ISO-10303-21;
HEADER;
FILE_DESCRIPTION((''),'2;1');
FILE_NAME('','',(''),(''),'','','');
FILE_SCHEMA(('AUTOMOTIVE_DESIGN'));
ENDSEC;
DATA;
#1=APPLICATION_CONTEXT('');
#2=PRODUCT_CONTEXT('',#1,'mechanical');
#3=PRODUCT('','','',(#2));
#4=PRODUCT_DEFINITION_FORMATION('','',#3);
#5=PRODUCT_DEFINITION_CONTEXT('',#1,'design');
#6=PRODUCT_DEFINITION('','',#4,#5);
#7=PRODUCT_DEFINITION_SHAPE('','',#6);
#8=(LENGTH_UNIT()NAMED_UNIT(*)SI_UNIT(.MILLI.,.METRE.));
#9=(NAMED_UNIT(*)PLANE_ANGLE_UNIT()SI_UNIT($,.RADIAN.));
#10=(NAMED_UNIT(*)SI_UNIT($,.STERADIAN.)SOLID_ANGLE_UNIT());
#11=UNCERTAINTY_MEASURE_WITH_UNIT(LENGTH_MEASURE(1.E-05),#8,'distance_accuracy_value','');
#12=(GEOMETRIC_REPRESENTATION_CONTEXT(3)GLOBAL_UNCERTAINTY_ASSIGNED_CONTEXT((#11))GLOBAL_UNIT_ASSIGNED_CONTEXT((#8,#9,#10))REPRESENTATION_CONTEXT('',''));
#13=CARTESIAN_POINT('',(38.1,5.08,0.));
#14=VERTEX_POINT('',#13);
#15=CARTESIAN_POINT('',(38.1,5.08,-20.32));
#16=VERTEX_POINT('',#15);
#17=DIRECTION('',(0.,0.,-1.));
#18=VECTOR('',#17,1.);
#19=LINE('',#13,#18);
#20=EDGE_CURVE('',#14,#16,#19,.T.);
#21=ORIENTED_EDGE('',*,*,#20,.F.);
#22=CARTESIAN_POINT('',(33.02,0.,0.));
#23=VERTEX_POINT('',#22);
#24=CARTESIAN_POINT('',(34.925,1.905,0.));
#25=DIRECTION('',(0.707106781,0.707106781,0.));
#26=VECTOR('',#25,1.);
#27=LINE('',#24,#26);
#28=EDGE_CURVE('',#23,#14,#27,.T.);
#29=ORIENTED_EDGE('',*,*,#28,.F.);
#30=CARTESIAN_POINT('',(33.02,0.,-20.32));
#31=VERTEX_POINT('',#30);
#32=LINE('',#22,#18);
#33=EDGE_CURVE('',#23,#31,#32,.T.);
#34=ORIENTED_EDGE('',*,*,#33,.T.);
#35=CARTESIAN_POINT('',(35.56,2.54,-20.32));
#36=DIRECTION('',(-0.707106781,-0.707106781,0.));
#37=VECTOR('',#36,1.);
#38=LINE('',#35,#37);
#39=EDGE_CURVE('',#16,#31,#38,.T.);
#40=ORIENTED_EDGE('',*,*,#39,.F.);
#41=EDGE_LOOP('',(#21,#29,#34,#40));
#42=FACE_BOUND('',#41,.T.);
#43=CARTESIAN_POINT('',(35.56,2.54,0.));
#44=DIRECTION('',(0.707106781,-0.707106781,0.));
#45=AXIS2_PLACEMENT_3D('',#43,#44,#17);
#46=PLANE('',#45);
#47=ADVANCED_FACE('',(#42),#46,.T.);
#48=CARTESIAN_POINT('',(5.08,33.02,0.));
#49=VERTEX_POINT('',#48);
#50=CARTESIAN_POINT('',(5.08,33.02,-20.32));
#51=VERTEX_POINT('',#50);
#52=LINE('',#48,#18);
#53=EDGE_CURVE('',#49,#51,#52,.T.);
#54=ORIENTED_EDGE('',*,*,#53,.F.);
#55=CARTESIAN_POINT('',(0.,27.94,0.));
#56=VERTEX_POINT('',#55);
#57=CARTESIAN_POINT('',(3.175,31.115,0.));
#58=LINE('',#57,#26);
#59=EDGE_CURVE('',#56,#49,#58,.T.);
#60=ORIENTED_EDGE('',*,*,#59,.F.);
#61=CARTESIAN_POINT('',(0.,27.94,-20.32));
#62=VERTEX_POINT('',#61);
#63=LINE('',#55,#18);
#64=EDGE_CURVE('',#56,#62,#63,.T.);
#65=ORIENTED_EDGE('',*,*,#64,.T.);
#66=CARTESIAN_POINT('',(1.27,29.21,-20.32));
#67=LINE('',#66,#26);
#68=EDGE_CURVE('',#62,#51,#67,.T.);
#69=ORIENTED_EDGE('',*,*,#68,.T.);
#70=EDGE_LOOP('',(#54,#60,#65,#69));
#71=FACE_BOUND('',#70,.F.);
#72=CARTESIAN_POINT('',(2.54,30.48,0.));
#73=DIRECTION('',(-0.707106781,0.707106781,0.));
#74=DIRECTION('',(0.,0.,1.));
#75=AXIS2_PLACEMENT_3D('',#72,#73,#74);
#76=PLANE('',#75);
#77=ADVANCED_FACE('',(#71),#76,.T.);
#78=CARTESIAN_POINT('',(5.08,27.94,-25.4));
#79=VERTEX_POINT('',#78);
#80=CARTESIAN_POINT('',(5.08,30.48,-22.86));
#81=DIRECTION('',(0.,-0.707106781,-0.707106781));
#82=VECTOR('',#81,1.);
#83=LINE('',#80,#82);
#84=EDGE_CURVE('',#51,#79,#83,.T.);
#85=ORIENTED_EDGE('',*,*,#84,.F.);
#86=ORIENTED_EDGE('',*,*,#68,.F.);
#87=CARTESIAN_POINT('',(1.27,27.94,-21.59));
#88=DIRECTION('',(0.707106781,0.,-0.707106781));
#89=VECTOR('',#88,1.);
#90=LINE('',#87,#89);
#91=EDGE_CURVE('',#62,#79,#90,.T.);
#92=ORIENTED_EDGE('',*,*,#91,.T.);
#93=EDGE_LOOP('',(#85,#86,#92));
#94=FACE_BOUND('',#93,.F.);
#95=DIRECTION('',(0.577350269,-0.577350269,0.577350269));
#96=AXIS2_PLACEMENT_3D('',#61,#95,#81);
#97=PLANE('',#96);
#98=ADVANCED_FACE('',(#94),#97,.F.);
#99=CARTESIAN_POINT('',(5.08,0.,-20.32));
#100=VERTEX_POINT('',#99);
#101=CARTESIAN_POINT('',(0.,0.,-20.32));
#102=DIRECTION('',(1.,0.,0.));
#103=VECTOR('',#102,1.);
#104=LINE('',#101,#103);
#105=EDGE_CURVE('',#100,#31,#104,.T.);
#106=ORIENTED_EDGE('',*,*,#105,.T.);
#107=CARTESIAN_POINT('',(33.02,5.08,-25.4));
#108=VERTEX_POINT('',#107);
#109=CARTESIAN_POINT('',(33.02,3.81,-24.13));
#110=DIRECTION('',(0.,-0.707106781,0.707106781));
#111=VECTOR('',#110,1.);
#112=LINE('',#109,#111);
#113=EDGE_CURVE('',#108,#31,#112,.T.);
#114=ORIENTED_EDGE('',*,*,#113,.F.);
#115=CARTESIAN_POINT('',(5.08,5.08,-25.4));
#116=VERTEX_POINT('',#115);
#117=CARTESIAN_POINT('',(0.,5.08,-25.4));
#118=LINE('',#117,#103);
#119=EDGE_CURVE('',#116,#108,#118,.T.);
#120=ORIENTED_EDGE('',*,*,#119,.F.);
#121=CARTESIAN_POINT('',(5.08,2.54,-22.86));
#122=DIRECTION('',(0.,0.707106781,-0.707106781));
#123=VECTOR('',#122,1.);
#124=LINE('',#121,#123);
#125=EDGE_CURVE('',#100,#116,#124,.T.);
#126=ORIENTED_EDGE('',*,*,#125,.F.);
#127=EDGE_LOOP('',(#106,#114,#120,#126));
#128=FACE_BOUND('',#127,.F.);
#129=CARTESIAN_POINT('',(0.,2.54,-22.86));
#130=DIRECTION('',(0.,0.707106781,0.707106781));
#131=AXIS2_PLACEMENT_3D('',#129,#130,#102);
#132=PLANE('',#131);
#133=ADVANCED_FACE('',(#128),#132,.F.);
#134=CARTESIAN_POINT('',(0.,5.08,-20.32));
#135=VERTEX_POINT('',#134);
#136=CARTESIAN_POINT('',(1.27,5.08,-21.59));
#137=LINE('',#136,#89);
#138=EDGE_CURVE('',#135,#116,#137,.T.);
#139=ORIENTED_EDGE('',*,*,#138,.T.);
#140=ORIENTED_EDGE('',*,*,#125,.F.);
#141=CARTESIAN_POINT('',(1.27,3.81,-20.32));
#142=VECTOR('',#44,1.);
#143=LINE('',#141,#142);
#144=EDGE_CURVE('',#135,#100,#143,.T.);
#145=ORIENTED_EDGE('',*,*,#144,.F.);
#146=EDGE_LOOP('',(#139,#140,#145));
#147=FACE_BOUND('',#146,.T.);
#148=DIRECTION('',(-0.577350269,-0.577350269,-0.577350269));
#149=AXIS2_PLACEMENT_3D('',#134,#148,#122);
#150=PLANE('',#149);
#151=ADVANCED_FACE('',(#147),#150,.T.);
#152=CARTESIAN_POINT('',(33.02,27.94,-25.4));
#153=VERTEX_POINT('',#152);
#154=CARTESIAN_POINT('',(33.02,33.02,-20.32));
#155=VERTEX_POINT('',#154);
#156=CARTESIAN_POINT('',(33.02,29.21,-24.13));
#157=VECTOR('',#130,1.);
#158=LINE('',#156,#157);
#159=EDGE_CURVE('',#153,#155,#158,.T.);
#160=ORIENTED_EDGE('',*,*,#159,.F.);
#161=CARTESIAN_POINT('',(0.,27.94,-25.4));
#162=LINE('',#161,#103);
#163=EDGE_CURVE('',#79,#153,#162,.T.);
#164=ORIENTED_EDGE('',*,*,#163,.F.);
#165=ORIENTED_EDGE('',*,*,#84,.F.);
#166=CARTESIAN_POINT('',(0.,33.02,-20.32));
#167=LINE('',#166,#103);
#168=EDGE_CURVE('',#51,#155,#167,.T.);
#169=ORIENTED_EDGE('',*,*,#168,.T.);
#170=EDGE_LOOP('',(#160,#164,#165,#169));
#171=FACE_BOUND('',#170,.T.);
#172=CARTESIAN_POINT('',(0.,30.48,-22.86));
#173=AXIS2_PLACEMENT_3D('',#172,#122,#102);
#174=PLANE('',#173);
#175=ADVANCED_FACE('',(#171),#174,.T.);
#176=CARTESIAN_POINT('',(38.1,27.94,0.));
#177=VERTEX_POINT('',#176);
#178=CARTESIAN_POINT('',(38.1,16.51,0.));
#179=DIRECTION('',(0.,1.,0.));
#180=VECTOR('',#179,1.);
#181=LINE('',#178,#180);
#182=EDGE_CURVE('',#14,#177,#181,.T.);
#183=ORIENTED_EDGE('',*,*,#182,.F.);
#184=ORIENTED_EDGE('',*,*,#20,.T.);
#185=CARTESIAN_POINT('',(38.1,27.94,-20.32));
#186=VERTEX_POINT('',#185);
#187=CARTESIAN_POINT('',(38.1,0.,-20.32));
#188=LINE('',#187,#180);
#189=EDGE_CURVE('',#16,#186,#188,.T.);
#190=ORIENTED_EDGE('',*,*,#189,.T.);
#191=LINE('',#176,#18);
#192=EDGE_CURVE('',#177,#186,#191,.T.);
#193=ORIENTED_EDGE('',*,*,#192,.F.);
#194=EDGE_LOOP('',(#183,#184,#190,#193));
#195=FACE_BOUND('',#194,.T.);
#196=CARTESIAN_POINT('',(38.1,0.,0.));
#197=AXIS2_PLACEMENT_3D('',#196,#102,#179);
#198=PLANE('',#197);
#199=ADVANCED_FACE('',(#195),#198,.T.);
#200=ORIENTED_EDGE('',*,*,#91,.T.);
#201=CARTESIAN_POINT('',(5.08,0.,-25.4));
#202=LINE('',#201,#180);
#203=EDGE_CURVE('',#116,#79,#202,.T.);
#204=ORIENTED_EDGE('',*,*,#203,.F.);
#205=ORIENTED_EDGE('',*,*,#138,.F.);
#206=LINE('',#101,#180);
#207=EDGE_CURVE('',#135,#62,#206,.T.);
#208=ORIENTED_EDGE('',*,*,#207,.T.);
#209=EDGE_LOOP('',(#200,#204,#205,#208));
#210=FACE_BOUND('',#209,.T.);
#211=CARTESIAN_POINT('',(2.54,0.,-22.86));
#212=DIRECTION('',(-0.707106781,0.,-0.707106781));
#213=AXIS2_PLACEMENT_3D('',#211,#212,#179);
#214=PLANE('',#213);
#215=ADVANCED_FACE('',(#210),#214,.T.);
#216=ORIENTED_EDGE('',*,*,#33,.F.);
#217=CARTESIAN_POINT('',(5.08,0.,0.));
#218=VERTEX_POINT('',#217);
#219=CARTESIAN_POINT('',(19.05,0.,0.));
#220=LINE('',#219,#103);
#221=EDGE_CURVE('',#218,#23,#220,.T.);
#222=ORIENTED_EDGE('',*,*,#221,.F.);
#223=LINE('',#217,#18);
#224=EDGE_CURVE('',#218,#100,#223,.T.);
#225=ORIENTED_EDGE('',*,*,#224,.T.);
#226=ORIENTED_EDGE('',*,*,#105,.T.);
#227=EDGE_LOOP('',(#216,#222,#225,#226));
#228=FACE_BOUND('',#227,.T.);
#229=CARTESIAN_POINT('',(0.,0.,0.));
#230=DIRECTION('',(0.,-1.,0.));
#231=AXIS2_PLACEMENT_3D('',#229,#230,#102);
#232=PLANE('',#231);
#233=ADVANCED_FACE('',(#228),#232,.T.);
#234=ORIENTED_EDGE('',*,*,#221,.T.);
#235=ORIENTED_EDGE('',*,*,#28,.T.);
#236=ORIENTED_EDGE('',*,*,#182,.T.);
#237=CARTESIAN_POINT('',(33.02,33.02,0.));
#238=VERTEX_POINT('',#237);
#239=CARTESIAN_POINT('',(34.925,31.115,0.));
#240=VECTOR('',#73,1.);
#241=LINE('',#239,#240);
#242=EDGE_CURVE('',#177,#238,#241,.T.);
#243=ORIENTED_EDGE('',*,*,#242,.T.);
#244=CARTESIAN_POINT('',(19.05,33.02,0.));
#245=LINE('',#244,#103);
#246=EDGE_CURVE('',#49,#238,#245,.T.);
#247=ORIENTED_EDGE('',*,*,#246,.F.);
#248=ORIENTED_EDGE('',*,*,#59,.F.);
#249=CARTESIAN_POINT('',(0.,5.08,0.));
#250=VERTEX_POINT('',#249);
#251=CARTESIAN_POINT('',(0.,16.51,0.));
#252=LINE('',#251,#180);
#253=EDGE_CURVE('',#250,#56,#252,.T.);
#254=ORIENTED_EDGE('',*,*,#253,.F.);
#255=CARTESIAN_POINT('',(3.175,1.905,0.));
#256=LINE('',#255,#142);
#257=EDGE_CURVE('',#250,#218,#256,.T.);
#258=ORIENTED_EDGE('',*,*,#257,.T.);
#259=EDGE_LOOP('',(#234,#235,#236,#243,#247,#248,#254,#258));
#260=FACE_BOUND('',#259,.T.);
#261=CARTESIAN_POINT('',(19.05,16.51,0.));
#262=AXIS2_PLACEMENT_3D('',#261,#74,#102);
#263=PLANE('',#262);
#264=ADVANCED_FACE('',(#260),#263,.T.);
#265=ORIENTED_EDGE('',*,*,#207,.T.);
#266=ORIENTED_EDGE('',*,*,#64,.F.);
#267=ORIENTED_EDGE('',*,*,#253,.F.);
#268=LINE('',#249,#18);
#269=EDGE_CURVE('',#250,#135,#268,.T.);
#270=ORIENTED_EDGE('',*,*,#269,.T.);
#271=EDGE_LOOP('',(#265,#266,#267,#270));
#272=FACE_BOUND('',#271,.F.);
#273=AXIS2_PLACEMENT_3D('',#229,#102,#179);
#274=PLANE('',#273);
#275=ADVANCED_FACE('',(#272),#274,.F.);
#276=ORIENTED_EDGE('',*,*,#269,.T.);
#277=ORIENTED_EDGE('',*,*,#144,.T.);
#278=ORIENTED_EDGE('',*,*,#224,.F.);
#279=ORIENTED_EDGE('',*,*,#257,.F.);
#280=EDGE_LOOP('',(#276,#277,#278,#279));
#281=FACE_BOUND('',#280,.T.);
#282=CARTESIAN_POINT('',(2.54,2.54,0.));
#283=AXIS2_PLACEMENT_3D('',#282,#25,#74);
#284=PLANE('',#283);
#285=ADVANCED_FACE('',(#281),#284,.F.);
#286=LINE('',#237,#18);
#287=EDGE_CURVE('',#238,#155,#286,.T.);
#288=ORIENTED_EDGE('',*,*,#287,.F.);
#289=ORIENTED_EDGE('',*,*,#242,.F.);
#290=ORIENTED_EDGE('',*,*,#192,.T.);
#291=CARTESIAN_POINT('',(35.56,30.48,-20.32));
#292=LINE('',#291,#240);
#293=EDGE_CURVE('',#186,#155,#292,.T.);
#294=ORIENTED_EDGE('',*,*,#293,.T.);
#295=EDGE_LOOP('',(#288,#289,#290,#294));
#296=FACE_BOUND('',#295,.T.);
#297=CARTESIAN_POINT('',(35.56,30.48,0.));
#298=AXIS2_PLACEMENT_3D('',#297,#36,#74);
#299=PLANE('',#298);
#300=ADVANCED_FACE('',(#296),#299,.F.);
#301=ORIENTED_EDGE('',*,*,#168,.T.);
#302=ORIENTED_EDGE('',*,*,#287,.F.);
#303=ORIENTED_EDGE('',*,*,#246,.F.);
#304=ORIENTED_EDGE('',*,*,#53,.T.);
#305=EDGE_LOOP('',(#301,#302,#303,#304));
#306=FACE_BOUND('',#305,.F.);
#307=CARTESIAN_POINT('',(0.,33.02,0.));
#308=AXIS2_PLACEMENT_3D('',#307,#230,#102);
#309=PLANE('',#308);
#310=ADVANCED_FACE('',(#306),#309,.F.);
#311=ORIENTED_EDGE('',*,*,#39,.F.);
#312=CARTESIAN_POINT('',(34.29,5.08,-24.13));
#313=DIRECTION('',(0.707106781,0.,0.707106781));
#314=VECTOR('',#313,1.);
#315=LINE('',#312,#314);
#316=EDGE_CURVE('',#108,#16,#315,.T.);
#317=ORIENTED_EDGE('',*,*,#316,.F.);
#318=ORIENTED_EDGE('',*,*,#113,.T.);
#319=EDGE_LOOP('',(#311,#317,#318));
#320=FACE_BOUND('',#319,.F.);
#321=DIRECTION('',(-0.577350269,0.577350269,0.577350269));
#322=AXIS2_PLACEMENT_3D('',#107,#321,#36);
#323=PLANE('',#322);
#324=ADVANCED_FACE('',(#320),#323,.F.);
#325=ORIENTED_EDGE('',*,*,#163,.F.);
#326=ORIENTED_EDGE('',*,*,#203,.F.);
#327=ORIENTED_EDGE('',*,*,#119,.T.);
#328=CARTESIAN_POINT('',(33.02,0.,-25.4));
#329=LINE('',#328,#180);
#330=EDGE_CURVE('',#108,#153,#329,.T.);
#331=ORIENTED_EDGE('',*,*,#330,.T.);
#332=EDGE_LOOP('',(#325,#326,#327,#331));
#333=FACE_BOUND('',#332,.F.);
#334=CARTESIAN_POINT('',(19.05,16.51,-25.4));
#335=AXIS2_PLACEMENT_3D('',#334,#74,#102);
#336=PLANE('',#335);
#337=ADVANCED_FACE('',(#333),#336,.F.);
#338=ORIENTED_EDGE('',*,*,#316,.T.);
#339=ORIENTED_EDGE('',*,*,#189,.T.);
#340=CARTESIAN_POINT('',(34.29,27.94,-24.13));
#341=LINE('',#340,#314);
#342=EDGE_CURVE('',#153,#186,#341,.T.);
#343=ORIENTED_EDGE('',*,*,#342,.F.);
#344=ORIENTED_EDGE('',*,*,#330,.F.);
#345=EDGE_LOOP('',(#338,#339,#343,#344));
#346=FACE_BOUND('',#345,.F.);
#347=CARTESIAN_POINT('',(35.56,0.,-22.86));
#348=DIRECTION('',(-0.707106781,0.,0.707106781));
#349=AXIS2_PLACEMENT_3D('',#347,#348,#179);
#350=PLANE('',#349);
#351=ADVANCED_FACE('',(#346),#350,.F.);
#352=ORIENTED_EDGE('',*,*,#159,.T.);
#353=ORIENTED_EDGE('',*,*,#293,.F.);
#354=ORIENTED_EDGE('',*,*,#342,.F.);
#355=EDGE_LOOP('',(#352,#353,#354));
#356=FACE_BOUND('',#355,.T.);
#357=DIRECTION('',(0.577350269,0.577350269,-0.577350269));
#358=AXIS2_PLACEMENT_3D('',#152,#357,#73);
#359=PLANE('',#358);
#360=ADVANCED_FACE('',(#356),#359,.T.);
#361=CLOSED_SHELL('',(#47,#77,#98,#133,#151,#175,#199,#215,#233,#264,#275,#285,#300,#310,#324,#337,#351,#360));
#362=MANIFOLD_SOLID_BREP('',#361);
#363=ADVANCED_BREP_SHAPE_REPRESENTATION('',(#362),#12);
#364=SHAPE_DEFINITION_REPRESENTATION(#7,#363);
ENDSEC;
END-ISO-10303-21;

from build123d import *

# Parameters (mm, degrees)
F0_W     = 38.1
F0_H     = 33.02
F1_DEPTH = 25.4
F2_SIZE  = 5.08


with BuildPart() as f1:
    # F0 (on Top) → F1 (new body)
    with BuildSketch(Plane.XY):
        with Locations((19.05, 16.51)):
            Rectangle(F0_W, F0_H)
    extrude(amount=-F1_DEPTH)

    # F2
    f2_edges = [f1.edges().sort_by_distance(p)[0] for p in [
        (38.1, 0, -12.7),
        (38.1, 33.02, -12.7),
        (38.1, 16.51, -25.4),
        (19.05, 0, -25.4),
        (0, 0, -12.7),
        (19.05, 33.02, -25.4),
        (0, 33.02, -12.7),
        (0, 16.51, -25.4),
    ]]
    chamfer(f2_edges, length=F2_SIZE)


solid = f1.part
